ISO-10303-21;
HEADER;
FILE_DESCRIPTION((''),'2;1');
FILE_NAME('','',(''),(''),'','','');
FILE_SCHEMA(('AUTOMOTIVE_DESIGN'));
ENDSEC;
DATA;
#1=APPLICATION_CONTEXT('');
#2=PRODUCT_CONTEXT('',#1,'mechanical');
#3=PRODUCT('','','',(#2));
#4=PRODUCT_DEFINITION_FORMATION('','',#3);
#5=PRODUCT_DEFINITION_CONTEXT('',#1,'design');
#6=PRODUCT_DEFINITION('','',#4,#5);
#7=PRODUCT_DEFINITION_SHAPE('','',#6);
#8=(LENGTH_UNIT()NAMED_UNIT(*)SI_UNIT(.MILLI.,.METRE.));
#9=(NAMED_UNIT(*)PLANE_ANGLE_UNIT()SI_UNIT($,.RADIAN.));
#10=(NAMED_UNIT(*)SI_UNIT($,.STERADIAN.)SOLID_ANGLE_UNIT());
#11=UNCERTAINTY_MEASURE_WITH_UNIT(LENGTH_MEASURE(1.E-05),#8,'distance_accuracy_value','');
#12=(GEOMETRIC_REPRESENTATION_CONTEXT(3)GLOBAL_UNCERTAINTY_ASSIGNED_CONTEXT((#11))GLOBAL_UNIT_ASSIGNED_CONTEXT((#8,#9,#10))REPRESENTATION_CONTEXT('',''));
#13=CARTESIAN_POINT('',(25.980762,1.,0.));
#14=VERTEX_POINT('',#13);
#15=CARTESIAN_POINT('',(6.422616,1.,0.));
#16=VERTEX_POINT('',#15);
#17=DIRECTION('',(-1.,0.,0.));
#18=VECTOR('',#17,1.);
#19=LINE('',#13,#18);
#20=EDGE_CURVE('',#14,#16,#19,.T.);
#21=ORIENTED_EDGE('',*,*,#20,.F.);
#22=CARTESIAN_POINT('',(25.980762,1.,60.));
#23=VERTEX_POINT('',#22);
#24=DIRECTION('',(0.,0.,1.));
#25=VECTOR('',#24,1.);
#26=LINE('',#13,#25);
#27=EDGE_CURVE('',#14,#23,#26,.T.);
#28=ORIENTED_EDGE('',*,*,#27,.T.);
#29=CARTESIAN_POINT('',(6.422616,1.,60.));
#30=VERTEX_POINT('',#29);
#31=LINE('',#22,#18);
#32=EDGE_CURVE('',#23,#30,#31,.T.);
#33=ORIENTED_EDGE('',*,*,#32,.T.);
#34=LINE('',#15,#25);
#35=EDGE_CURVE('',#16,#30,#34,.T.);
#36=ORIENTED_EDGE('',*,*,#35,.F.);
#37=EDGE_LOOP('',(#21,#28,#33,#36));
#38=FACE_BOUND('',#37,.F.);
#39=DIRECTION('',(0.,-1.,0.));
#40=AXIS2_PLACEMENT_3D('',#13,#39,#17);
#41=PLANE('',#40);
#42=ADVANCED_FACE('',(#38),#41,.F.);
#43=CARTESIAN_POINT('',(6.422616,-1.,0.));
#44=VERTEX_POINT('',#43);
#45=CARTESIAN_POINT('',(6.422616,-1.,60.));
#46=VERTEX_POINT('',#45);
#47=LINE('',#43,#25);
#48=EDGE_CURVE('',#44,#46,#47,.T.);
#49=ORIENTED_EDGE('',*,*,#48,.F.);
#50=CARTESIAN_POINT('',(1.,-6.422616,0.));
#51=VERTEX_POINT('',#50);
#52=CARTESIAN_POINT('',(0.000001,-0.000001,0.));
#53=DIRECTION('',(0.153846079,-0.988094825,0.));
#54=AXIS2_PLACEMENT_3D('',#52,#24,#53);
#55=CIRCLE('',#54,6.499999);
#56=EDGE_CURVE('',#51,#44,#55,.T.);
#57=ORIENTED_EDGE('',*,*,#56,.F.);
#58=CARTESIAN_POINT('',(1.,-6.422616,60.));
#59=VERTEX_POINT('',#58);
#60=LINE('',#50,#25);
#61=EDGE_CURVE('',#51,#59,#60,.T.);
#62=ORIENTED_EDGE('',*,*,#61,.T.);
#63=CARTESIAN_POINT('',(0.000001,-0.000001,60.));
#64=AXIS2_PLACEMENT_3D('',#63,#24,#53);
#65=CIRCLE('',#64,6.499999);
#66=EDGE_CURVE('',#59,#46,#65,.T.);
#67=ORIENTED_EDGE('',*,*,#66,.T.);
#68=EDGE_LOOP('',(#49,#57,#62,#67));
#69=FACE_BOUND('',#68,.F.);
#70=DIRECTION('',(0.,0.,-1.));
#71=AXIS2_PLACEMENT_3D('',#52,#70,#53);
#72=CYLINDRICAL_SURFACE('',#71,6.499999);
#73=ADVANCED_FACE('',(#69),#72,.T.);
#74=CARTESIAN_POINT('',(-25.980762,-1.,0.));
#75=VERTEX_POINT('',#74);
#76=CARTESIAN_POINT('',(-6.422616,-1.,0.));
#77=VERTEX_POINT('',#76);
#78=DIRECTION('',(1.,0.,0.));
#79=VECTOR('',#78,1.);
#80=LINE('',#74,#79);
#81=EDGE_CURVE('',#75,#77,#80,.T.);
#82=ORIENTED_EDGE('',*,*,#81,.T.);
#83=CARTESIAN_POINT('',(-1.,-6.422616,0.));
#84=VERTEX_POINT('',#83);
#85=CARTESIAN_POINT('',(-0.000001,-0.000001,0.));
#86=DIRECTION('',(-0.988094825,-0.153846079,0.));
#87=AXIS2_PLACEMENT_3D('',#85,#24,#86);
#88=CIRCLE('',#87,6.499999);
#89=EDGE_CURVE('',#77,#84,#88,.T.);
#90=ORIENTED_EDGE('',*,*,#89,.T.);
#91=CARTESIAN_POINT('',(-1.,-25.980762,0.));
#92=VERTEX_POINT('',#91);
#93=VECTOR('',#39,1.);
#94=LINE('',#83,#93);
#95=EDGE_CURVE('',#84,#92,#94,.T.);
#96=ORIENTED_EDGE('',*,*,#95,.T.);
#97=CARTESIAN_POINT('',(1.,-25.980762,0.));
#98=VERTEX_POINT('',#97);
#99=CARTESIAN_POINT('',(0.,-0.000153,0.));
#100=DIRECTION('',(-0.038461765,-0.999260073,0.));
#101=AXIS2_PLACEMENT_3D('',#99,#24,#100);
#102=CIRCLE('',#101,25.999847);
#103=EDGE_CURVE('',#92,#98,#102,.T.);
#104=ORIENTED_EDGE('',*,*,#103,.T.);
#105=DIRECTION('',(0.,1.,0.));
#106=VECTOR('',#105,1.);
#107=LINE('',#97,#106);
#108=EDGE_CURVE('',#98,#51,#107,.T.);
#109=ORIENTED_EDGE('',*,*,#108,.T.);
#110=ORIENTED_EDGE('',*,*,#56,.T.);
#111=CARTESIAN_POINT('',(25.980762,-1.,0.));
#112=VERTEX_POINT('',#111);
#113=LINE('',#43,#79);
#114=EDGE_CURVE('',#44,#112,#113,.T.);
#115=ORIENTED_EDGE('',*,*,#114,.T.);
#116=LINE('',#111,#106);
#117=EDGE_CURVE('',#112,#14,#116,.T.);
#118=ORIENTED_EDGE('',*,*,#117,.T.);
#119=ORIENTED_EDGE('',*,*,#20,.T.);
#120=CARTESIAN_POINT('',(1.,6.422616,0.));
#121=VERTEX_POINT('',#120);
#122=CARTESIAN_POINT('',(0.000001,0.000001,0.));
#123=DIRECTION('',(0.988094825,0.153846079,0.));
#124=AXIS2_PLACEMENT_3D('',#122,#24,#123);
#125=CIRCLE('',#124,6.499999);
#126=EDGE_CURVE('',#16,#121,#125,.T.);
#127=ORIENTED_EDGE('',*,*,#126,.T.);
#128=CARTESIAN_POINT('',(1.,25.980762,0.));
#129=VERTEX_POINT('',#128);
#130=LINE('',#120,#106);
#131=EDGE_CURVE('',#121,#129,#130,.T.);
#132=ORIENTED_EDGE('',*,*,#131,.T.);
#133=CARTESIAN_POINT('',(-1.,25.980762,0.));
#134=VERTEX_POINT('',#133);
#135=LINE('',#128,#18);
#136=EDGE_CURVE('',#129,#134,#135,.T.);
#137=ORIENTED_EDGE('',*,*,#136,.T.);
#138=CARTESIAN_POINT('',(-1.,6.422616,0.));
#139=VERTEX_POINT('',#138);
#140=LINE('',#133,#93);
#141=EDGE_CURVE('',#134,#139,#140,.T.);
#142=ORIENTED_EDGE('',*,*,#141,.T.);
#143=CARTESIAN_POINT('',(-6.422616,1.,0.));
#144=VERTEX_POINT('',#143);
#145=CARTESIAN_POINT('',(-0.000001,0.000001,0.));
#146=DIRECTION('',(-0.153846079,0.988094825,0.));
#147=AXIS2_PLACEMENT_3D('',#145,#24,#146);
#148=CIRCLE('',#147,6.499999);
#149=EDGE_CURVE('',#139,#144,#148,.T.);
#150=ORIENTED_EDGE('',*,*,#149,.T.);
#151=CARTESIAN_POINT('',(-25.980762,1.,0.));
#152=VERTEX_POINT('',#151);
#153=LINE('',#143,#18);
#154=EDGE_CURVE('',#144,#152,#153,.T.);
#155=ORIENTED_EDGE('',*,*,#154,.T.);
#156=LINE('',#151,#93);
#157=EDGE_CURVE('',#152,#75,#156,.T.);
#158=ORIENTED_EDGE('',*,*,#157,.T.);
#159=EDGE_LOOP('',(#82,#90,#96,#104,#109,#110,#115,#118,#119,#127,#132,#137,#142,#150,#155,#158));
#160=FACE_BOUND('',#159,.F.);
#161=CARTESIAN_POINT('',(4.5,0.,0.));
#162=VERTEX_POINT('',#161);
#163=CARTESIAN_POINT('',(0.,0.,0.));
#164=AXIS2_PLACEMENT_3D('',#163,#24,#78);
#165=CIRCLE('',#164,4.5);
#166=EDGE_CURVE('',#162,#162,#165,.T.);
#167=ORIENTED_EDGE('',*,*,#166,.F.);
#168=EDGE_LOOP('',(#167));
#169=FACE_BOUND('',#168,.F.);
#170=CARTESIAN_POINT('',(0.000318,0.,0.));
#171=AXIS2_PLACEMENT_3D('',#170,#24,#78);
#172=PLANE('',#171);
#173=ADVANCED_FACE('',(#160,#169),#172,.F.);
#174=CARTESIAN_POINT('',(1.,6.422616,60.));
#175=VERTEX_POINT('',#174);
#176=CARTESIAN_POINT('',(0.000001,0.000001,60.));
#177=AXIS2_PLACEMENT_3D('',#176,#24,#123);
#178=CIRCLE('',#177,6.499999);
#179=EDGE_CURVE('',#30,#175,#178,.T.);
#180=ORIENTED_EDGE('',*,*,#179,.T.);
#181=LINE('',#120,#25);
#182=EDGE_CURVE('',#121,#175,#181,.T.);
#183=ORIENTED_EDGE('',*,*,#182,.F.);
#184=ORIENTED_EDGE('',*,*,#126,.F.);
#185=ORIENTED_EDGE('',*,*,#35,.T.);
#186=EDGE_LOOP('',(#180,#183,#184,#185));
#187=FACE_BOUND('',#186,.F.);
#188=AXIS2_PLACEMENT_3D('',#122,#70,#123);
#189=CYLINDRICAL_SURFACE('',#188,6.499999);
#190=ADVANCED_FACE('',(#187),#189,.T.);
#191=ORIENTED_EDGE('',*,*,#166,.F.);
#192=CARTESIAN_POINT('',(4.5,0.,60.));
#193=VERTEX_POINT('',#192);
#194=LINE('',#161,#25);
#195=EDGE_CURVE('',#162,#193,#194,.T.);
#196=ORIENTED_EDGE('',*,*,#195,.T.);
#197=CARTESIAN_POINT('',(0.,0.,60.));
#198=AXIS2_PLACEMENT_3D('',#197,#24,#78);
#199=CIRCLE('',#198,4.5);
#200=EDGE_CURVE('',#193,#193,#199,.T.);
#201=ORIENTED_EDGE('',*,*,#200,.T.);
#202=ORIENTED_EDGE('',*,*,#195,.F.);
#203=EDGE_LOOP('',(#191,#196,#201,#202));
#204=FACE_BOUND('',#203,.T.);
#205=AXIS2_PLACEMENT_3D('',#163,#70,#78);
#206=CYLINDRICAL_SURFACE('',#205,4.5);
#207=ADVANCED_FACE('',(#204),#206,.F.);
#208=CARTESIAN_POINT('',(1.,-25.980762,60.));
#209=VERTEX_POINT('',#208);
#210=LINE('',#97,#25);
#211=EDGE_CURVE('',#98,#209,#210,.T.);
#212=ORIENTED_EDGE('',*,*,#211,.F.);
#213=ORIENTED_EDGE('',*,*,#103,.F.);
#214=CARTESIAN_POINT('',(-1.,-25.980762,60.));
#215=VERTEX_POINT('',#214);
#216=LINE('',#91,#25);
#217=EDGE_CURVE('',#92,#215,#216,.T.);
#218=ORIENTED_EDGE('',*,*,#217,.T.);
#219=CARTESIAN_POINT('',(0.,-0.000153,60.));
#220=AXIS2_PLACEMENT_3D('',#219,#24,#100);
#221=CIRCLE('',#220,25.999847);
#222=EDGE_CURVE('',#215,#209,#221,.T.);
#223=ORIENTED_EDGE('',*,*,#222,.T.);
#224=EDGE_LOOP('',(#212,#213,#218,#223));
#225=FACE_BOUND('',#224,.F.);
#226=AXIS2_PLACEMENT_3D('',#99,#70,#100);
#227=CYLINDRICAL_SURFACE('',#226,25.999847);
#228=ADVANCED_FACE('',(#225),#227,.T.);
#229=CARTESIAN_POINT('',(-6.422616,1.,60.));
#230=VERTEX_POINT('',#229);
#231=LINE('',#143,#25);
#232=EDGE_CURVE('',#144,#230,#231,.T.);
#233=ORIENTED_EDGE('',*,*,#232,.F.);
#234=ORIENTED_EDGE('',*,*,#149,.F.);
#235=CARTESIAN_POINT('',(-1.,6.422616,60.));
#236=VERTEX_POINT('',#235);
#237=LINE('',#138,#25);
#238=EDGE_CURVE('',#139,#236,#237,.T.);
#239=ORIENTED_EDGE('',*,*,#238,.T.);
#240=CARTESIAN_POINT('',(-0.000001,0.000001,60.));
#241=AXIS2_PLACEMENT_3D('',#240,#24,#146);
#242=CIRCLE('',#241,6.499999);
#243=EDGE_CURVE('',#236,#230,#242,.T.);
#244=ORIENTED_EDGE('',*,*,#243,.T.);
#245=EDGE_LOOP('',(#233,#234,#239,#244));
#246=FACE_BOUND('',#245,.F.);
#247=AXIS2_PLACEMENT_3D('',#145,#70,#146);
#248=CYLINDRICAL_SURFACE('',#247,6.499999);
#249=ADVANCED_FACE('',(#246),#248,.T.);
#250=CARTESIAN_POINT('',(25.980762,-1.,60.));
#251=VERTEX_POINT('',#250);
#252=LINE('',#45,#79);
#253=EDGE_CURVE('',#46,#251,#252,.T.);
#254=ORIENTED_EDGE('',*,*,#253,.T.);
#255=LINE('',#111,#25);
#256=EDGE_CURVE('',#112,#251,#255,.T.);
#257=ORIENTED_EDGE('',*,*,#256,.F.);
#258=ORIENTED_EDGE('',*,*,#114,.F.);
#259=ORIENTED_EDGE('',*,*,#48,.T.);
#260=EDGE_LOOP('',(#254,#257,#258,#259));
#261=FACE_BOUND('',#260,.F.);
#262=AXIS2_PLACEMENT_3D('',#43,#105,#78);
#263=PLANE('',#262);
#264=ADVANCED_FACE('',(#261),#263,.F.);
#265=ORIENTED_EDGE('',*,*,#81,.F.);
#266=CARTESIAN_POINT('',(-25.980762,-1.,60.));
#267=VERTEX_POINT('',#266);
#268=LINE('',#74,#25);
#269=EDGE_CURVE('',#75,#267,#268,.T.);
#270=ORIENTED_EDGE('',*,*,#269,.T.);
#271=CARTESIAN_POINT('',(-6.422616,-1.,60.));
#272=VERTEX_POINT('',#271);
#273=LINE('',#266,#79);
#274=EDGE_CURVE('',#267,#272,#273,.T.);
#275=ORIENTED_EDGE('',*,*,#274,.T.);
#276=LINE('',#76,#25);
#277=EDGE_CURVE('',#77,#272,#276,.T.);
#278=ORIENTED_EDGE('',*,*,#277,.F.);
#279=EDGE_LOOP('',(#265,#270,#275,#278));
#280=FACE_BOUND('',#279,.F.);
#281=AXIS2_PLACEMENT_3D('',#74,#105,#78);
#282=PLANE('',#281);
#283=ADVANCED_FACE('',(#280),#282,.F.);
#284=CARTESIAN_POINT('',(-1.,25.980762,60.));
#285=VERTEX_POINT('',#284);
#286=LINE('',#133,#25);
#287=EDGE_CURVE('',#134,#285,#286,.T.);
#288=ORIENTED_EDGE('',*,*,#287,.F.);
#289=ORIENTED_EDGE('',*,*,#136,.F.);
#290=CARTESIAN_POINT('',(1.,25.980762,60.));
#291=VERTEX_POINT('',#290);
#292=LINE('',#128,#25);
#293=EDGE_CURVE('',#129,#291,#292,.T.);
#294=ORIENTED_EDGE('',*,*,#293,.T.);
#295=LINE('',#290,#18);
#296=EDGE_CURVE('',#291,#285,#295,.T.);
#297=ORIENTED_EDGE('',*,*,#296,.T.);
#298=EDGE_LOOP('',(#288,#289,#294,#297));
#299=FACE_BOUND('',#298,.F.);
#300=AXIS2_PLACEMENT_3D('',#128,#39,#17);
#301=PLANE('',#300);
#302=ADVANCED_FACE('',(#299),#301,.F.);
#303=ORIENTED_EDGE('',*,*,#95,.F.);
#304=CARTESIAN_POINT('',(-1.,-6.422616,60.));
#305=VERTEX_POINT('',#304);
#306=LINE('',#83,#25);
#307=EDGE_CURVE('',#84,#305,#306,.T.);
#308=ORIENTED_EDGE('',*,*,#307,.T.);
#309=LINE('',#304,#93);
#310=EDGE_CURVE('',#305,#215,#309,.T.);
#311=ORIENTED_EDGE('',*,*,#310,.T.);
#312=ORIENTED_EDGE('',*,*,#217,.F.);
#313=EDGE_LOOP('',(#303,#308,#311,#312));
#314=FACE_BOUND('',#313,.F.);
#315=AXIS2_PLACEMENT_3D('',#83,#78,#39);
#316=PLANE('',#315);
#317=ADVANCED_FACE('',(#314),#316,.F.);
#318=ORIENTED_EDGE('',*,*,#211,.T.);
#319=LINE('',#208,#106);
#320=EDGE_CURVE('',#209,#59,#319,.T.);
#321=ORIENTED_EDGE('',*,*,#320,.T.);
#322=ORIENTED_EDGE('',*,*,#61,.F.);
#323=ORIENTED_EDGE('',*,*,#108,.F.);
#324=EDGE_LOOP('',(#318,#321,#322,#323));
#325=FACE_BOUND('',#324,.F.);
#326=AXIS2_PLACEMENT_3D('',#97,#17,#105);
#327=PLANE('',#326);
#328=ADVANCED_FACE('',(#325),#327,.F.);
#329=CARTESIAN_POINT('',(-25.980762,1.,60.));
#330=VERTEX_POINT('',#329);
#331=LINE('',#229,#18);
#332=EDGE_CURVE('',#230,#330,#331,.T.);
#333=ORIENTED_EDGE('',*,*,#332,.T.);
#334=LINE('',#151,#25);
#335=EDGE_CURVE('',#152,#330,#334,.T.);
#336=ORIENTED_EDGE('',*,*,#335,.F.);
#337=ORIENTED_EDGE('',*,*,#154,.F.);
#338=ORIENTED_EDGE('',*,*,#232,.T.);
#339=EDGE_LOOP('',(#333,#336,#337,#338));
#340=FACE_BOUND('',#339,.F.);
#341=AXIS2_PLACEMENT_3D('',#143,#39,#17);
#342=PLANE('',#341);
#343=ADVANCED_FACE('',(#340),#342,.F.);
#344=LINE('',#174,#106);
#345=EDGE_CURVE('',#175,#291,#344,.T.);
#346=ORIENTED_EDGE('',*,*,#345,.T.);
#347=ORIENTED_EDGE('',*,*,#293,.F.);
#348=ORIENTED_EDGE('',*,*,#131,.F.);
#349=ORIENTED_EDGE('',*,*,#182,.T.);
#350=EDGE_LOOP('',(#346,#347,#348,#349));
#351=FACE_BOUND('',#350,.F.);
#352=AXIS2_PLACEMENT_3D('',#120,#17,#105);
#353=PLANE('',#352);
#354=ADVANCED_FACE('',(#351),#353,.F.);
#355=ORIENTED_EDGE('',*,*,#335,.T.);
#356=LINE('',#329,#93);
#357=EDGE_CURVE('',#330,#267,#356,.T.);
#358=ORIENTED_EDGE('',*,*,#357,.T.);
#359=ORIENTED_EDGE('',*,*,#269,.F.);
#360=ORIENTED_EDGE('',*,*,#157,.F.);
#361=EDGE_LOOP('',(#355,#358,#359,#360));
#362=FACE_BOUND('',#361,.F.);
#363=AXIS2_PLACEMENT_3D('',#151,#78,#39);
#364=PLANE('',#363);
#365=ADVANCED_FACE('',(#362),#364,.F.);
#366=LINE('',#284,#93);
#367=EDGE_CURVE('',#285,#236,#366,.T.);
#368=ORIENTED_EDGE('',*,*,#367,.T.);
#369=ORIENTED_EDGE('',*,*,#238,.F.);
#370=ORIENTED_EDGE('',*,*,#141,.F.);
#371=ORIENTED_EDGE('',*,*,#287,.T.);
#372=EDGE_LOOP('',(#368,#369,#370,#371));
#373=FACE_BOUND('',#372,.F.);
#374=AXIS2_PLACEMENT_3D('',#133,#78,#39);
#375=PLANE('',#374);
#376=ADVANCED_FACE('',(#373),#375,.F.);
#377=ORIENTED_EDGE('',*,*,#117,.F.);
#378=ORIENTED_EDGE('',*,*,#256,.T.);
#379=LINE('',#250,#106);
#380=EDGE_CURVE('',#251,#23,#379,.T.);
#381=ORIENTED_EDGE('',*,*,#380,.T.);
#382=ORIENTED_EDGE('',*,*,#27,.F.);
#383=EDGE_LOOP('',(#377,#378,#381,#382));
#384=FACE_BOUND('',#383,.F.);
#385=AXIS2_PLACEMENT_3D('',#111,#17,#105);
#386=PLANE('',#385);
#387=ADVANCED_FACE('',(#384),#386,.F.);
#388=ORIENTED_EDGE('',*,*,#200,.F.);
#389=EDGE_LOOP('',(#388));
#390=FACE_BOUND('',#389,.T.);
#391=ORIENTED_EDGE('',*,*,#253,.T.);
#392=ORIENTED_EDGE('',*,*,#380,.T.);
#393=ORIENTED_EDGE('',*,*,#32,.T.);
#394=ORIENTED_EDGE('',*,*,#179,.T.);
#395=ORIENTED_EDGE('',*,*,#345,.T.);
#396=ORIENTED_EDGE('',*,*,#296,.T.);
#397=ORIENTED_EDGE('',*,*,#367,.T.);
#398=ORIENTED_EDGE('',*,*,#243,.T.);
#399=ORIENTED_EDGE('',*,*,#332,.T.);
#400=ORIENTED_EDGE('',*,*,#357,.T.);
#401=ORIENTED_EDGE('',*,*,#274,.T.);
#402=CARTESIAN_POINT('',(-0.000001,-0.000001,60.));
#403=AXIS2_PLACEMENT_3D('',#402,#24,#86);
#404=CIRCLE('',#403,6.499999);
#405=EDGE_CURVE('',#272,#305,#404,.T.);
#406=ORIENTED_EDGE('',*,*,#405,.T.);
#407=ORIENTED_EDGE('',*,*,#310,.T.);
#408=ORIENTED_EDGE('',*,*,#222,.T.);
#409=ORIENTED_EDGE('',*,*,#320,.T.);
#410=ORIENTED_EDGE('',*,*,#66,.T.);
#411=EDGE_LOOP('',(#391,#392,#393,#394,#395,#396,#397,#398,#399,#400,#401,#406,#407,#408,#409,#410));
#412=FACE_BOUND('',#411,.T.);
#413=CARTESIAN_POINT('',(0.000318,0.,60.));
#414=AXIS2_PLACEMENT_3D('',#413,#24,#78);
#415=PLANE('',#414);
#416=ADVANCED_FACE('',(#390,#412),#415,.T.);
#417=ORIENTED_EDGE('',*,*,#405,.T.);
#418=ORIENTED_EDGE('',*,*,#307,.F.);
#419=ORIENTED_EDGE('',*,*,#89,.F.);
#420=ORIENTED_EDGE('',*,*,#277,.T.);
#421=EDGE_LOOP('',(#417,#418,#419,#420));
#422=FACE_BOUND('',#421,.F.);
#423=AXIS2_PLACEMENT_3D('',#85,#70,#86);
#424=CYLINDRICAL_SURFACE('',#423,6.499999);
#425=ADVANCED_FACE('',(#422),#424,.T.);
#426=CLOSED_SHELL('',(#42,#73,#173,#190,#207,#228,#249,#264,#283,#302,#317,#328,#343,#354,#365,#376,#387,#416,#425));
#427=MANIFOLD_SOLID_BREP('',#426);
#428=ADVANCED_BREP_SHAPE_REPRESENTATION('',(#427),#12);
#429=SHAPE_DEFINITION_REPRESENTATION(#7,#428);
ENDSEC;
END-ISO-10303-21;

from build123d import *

# Parameters (mm, degrees)
F0_R     = 4.5
F1_DEPTH = 60


with BuildPart() as f1:
    # F0 (on Top) → F1 (new body)
    with BuildSketch(Plane.XY):
        with BuildLine():
            ThreePointArc((6.5, 0), (6.480625, 0.501495), (6.422616, 1))
            ThreePointArc((6.422616, 1), (4.596194, 4.596194), (1, 6.422616))
            ThreePointArc((1, 6.422616), (0, 6.5), (-1, 6.422616))
            ThreePointArc((-1, 6.422616), (-4.596194, 4.596194), (-6.422616, 1))
            ThreePointArc((-6.422616, 1), (-6.5, 0), (-6.422616, -1))
            ThreePointArc((-6.422616, -1), (-4.596194, -4.596194), (-1, -6.422616))
            ThreePointArc((-1, -6.422616), (0, -6.5), (1, -6.422616))
            ThreePointArc((1, -6.422616), (4.596194, -4.596194), (6.422616, -1))
            ThreePointArc((6.422616, -1), (6.480625, -0.501495), (6.5, 0))
        make_face()
        Circle(F0_R, mode=Mode.SUBTRACT)
        with BuildLine():
            Line((-6.422616, 1), (-25.980762, 1))
            Line((-25.980762, 1), (-25.980762, -1))
            Line((-25.980762, -1), (-6.422616, -1))
            ThreePointArc((-6.422616, -1), (-6.5, 0), (-6.422616, 1))
        make_face()
        with BuildLine():
            ThreePointArc((-1, -25.980762), (0, -26), (1, -25.980762))
            Line((1, -25.980762), (1, -6.422616))
            ThreePointArc((1, -6.422616), (0, -6.5), (-1, -6.422616))
            Line((-1, -6.422616), (-1, -25.980762))
        make_face()
        with BuildLine():
            Line((25.980762, -1), (25.980762, 1))
            Line((25.980762, 1), (6.422616, 1))
            ThreePointArc((6.422616, 1), (6.480625, 0.501495), (6.5, 0))
            ThreePointArc((6.5, 0), (6.480625, -0.501495), (6.422616, -1))
            Line((6.422616, -1), (25.980762, -1))
        make_face()
        with BuildLine():
            Line((1, 6.422616), (1, 25.980762))
            Line((1, 25.980762), (-1, 25.980762))
            Line((-1, 25.980762), (-1, 6.422616))
            ThreePointArc((-1, 6.422616), (0, 6.5), (1, 6.422616))
        make_face()
    extrude(amount=F1_DEPTH)


solid = f1.part
